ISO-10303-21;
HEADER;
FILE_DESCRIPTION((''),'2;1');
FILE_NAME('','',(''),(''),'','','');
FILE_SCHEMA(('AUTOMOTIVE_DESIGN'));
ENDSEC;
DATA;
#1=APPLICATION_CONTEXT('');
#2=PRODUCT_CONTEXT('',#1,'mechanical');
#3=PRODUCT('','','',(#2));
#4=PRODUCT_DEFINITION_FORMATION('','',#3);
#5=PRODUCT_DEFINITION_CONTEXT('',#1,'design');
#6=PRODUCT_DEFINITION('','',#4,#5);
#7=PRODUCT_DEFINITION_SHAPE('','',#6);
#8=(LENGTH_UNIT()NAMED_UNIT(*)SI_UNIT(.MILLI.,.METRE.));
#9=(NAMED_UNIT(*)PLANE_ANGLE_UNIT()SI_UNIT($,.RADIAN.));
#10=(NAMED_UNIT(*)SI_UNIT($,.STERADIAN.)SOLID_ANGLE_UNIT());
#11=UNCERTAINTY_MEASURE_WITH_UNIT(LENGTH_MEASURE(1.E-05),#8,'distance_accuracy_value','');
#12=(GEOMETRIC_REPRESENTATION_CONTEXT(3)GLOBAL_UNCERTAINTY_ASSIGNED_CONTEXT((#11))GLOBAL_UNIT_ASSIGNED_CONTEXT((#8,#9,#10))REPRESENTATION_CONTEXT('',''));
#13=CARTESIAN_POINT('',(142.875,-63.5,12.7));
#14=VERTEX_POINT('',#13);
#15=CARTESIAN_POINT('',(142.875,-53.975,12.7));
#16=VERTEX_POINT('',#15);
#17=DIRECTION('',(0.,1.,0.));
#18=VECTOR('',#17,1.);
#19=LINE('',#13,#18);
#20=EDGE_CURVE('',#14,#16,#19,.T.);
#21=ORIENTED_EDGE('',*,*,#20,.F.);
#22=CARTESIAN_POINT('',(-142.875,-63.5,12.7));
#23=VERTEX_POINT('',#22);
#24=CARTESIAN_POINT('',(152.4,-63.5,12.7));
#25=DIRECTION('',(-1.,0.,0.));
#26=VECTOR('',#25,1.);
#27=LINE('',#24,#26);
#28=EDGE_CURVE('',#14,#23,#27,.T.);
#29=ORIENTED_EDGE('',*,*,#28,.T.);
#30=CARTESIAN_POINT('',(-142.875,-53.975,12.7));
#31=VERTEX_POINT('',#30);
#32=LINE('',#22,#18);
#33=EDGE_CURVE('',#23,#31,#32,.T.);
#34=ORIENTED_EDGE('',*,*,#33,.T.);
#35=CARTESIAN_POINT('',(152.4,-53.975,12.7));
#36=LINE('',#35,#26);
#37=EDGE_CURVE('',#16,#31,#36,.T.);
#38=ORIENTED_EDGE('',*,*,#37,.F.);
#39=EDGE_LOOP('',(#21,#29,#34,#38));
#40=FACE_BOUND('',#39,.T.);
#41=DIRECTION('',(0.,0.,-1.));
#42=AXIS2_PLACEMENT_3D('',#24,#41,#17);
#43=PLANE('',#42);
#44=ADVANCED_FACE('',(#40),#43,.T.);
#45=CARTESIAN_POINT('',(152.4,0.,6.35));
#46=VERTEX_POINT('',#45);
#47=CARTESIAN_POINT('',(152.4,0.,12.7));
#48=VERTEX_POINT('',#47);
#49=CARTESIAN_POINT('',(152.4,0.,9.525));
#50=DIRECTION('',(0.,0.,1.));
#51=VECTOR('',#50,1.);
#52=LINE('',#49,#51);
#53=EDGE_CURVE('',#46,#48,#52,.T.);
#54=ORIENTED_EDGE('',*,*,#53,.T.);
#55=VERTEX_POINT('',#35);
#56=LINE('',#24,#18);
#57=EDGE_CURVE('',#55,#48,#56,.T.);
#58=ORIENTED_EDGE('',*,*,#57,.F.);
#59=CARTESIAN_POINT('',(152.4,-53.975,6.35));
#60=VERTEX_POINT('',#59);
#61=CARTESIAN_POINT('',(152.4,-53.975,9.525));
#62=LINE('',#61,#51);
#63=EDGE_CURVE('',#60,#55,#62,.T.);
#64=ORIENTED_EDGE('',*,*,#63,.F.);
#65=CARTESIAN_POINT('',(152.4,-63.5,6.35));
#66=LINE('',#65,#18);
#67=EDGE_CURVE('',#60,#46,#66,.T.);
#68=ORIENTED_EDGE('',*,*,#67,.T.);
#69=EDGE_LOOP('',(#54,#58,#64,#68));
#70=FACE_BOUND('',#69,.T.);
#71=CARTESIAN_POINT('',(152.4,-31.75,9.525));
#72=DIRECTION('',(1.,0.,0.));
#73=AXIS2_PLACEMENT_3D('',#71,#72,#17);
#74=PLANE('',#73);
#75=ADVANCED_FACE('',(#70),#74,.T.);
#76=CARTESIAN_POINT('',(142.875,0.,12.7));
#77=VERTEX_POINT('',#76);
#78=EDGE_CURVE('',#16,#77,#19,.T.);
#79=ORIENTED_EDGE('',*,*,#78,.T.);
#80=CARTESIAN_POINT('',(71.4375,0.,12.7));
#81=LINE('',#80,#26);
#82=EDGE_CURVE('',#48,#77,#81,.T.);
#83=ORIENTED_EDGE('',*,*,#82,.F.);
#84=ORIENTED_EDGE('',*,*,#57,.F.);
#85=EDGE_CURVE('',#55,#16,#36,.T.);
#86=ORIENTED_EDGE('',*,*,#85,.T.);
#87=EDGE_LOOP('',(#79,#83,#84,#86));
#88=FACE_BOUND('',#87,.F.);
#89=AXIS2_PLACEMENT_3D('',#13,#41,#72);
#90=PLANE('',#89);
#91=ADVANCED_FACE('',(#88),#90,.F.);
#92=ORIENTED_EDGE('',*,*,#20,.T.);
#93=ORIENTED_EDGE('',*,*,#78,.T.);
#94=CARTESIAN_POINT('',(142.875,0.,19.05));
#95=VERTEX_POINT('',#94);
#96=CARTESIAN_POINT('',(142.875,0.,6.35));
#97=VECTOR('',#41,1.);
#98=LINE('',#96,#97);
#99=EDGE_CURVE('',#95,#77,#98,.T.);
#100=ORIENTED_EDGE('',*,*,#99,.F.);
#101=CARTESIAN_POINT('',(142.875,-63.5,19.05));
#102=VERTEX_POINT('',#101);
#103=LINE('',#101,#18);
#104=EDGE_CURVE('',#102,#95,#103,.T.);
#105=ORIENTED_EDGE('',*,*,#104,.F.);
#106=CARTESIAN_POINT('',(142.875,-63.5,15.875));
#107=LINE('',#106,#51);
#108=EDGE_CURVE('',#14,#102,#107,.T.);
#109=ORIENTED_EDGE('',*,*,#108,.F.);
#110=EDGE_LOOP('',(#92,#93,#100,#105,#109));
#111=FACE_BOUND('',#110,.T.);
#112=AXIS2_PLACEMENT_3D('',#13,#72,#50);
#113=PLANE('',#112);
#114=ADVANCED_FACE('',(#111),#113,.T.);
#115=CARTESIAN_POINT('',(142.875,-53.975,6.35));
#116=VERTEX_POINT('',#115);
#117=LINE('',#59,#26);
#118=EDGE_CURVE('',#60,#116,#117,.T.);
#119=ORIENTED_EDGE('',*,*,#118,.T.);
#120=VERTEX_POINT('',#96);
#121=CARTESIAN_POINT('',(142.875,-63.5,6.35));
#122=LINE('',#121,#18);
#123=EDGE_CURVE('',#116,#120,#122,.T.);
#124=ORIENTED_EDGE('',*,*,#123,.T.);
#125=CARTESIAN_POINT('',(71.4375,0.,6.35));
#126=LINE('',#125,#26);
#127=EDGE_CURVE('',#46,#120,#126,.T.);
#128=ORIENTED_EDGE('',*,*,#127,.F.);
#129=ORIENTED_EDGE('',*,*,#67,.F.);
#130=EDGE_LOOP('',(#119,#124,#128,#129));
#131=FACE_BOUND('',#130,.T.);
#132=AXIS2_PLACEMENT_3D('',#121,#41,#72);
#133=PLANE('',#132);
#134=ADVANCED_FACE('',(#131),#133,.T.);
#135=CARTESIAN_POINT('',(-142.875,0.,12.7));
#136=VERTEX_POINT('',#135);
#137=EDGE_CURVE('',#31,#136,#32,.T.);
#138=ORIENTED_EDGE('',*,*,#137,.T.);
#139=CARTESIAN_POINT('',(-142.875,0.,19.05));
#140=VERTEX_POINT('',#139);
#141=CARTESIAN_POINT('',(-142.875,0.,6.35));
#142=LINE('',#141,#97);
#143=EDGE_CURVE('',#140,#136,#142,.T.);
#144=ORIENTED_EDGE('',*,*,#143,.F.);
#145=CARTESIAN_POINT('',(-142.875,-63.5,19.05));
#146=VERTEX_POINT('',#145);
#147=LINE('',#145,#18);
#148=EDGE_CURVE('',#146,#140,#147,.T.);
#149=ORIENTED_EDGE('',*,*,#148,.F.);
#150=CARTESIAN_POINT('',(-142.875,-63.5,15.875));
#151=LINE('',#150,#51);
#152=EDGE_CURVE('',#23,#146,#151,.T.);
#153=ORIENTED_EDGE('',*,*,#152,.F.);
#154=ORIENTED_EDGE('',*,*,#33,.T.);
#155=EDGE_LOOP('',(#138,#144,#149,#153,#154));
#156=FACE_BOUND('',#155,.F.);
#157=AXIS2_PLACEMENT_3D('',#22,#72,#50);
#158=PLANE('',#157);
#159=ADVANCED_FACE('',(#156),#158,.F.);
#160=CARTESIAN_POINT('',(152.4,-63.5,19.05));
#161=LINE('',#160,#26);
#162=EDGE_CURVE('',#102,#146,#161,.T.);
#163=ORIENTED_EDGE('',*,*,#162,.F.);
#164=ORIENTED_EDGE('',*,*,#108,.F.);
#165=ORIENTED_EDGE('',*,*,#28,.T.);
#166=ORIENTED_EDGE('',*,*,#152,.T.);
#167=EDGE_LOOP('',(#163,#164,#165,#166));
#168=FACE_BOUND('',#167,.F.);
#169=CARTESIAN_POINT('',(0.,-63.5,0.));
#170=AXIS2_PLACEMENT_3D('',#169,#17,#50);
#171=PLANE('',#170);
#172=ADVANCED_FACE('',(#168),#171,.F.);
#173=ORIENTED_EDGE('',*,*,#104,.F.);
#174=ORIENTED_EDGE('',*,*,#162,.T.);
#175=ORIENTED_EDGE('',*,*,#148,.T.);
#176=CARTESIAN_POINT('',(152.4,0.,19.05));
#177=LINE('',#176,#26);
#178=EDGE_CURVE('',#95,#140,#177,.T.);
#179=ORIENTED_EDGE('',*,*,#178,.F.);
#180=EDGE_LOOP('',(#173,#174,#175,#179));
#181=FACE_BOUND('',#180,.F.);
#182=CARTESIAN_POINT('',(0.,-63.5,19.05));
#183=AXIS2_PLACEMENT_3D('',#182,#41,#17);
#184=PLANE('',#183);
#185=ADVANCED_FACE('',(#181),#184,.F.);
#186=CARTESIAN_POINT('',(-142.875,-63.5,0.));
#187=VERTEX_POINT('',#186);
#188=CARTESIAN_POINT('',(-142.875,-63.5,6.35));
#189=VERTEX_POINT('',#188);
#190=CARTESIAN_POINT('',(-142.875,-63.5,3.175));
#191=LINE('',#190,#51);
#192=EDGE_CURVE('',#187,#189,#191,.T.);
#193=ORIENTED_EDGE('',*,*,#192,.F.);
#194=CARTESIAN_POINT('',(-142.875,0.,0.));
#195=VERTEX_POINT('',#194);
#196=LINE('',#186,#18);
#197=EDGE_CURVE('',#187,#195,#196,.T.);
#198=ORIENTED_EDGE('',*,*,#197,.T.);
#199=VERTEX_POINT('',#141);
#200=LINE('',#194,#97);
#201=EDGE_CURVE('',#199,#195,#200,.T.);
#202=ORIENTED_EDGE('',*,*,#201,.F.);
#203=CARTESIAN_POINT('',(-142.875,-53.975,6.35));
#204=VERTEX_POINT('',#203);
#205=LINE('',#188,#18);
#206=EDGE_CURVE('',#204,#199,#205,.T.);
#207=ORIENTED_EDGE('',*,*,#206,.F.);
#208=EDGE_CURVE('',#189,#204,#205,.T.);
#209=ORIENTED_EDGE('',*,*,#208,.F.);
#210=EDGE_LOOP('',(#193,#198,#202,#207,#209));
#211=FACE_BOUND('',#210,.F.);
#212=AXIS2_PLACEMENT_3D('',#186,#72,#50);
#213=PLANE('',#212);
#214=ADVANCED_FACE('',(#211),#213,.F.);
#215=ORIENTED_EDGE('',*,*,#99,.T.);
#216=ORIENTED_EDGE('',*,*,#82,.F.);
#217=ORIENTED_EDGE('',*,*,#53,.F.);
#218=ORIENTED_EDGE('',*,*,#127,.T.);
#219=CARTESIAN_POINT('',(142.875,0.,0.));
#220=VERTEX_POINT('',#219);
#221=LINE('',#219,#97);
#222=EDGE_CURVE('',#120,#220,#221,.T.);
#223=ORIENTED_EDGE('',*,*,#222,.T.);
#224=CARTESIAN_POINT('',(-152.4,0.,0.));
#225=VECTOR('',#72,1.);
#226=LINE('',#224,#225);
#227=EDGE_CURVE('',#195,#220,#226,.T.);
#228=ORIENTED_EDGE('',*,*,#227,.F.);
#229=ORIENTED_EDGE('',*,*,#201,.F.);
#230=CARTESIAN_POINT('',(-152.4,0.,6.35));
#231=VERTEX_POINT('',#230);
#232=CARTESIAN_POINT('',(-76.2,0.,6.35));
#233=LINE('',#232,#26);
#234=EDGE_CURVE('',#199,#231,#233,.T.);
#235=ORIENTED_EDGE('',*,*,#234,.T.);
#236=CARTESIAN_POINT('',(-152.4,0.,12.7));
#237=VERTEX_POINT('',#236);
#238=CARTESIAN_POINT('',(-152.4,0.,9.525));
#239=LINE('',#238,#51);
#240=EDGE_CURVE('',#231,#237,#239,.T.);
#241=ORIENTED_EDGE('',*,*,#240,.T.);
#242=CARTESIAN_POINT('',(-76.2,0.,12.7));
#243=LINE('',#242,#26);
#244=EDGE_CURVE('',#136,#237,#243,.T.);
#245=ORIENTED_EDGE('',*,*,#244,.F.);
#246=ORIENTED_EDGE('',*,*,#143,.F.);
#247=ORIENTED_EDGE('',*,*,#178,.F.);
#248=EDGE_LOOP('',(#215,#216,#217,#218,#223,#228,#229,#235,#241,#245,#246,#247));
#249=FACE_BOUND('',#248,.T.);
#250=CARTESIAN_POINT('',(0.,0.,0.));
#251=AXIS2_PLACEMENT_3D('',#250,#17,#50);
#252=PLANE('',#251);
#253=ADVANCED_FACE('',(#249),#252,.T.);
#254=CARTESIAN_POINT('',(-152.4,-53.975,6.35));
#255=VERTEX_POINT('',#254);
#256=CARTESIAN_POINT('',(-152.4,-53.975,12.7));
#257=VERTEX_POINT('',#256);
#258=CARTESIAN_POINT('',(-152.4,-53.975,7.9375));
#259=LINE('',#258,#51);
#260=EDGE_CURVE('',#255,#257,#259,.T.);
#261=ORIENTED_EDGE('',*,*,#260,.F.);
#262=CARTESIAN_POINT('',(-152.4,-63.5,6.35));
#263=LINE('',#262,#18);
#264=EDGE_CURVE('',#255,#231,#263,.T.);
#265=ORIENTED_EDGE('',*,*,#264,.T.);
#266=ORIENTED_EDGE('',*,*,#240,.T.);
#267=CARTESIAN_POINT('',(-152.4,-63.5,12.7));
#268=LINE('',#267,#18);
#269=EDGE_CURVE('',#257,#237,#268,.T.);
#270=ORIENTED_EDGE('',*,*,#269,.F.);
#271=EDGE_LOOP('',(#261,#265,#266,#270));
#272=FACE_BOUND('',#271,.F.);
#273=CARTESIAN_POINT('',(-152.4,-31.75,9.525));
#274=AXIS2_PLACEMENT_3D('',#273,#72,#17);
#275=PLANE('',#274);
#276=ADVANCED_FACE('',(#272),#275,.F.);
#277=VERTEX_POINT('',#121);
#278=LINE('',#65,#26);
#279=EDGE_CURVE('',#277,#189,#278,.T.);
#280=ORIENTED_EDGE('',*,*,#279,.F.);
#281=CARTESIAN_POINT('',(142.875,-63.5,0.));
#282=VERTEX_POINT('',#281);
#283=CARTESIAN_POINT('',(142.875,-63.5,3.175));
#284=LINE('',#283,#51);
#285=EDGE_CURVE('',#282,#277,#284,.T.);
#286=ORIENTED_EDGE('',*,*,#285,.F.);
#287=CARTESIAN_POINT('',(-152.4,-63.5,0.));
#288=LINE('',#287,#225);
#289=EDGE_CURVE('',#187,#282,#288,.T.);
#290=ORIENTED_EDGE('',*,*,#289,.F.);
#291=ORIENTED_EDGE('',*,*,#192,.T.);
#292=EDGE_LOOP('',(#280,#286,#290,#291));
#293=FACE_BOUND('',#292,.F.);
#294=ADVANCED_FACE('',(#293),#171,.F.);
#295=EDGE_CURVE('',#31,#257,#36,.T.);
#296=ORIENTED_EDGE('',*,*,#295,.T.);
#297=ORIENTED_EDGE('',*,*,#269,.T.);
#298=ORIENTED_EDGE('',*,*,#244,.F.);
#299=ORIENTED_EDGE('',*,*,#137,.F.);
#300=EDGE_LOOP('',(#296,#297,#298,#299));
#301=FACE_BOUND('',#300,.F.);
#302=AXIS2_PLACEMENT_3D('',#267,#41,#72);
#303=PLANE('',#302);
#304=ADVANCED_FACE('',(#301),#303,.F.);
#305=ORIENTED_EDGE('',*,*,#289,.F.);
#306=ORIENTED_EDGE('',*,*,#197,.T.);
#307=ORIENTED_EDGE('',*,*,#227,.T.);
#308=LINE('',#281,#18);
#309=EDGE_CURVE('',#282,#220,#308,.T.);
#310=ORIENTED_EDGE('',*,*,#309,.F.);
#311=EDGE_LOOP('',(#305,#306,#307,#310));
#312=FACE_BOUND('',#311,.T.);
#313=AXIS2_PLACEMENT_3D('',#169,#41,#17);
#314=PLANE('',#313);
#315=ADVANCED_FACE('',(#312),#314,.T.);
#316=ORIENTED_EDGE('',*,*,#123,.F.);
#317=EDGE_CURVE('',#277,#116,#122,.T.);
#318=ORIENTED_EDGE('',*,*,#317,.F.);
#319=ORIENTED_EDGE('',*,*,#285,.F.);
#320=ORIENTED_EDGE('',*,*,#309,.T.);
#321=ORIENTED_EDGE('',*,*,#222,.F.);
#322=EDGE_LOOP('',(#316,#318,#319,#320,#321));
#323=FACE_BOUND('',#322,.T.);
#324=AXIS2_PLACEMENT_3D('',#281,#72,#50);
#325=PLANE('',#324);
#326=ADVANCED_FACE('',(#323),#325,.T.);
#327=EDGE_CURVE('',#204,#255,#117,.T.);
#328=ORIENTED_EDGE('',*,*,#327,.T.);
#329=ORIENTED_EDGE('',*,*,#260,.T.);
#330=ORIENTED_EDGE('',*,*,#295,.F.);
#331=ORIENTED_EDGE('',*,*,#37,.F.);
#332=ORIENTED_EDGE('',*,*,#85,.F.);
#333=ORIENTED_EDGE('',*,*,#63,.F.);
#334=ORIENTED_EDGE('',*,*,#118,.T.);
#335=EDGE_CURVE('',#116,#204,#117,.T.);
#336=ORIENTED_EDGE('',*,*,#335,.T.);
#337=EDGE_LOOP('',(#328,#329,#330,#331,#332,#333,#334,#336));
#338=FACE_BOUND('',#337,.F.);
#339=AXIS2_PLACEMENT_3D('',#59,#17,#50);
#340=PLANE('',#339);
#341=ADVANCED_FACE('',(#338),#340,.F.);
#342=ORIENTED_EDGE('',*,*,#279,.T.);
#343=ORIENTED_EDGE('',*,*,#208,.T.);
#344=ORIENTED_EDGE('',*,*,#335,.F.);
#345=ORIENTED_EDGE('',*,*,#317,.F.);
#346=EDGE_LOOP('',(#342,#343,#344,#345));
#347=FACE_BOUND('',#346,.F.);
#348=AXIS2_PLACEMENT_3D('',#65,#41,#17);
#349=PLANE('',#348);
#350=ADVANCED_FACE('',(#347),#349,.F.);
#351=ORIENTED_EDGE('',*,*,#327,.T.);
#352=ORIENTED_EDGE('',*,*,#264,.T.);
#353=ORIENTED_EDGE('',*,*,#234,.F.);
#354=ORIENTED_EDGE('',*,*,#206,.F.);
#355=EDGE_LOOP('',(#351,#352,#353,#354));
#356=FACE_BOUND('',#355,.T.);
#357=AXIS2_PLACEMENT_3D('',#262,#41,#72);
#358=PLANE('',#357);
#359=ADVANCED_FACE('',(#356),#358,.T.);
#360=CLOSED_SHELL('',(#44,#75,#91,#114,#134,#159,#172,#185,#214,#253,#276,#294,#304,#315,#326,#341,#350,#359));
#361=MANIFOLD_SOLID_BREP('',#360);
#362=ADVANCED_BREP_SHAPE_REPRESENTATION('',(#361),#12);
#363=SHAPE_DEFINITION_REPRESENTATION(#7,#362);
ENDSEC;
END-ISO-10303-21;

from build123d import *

# Parameters (mm, degrees)
F0_W     = 63.5
F0_H     = 19.05
F1_DEPTH = 152.4
F2_W     = 9.525
F2_H     = 6.35
F3_DEPTH = 63.501
F4_W     = 9.525
F4_H     = 6.35
F5_DEPTH = 304.801


with BuildPart() as f1:
    # F0 (on Right) → F1 (new body, symmetric)
    with BuildSketch(Plane.YZ):
        with Locations((-31.75, 9.525)):
            Rectangle(F0_W, F0_H)
    extrude(amount=F1_DEPTH, both=True)

    # F2 (on face) → F3 (cut, through all)
    with BuildSketch(Plane.XZ.offset(63.5)):
        with Locations((147.6375, 15.875)):
            Rectangle(F2_W, F2_H)
        with Locations((147.6375, 3.175)):
            Rectangle(F2_W, F2_H)
        with Locations((-147.6375, 15.875)):
            Rectangle(F2_W, F2_H)
        with Locations((-147.6375, 3.175)):
            Rectangle(F2_W, F2_H)
    extrude(amount=-F3_DEPTH, mode=Mode.SUBTRACT)

    # F4 (on face) → F5 (cut, through all)
    with BuildSketch(Plane.YZ.offset(152.4)):
        with Locations((-58.7375, 9.525)):
            Rectangle(F4_W, F4_H)
    extrude(amount=-F5_DEPTH, mode=Mode.SUBTRACT)


solid = f1.part
